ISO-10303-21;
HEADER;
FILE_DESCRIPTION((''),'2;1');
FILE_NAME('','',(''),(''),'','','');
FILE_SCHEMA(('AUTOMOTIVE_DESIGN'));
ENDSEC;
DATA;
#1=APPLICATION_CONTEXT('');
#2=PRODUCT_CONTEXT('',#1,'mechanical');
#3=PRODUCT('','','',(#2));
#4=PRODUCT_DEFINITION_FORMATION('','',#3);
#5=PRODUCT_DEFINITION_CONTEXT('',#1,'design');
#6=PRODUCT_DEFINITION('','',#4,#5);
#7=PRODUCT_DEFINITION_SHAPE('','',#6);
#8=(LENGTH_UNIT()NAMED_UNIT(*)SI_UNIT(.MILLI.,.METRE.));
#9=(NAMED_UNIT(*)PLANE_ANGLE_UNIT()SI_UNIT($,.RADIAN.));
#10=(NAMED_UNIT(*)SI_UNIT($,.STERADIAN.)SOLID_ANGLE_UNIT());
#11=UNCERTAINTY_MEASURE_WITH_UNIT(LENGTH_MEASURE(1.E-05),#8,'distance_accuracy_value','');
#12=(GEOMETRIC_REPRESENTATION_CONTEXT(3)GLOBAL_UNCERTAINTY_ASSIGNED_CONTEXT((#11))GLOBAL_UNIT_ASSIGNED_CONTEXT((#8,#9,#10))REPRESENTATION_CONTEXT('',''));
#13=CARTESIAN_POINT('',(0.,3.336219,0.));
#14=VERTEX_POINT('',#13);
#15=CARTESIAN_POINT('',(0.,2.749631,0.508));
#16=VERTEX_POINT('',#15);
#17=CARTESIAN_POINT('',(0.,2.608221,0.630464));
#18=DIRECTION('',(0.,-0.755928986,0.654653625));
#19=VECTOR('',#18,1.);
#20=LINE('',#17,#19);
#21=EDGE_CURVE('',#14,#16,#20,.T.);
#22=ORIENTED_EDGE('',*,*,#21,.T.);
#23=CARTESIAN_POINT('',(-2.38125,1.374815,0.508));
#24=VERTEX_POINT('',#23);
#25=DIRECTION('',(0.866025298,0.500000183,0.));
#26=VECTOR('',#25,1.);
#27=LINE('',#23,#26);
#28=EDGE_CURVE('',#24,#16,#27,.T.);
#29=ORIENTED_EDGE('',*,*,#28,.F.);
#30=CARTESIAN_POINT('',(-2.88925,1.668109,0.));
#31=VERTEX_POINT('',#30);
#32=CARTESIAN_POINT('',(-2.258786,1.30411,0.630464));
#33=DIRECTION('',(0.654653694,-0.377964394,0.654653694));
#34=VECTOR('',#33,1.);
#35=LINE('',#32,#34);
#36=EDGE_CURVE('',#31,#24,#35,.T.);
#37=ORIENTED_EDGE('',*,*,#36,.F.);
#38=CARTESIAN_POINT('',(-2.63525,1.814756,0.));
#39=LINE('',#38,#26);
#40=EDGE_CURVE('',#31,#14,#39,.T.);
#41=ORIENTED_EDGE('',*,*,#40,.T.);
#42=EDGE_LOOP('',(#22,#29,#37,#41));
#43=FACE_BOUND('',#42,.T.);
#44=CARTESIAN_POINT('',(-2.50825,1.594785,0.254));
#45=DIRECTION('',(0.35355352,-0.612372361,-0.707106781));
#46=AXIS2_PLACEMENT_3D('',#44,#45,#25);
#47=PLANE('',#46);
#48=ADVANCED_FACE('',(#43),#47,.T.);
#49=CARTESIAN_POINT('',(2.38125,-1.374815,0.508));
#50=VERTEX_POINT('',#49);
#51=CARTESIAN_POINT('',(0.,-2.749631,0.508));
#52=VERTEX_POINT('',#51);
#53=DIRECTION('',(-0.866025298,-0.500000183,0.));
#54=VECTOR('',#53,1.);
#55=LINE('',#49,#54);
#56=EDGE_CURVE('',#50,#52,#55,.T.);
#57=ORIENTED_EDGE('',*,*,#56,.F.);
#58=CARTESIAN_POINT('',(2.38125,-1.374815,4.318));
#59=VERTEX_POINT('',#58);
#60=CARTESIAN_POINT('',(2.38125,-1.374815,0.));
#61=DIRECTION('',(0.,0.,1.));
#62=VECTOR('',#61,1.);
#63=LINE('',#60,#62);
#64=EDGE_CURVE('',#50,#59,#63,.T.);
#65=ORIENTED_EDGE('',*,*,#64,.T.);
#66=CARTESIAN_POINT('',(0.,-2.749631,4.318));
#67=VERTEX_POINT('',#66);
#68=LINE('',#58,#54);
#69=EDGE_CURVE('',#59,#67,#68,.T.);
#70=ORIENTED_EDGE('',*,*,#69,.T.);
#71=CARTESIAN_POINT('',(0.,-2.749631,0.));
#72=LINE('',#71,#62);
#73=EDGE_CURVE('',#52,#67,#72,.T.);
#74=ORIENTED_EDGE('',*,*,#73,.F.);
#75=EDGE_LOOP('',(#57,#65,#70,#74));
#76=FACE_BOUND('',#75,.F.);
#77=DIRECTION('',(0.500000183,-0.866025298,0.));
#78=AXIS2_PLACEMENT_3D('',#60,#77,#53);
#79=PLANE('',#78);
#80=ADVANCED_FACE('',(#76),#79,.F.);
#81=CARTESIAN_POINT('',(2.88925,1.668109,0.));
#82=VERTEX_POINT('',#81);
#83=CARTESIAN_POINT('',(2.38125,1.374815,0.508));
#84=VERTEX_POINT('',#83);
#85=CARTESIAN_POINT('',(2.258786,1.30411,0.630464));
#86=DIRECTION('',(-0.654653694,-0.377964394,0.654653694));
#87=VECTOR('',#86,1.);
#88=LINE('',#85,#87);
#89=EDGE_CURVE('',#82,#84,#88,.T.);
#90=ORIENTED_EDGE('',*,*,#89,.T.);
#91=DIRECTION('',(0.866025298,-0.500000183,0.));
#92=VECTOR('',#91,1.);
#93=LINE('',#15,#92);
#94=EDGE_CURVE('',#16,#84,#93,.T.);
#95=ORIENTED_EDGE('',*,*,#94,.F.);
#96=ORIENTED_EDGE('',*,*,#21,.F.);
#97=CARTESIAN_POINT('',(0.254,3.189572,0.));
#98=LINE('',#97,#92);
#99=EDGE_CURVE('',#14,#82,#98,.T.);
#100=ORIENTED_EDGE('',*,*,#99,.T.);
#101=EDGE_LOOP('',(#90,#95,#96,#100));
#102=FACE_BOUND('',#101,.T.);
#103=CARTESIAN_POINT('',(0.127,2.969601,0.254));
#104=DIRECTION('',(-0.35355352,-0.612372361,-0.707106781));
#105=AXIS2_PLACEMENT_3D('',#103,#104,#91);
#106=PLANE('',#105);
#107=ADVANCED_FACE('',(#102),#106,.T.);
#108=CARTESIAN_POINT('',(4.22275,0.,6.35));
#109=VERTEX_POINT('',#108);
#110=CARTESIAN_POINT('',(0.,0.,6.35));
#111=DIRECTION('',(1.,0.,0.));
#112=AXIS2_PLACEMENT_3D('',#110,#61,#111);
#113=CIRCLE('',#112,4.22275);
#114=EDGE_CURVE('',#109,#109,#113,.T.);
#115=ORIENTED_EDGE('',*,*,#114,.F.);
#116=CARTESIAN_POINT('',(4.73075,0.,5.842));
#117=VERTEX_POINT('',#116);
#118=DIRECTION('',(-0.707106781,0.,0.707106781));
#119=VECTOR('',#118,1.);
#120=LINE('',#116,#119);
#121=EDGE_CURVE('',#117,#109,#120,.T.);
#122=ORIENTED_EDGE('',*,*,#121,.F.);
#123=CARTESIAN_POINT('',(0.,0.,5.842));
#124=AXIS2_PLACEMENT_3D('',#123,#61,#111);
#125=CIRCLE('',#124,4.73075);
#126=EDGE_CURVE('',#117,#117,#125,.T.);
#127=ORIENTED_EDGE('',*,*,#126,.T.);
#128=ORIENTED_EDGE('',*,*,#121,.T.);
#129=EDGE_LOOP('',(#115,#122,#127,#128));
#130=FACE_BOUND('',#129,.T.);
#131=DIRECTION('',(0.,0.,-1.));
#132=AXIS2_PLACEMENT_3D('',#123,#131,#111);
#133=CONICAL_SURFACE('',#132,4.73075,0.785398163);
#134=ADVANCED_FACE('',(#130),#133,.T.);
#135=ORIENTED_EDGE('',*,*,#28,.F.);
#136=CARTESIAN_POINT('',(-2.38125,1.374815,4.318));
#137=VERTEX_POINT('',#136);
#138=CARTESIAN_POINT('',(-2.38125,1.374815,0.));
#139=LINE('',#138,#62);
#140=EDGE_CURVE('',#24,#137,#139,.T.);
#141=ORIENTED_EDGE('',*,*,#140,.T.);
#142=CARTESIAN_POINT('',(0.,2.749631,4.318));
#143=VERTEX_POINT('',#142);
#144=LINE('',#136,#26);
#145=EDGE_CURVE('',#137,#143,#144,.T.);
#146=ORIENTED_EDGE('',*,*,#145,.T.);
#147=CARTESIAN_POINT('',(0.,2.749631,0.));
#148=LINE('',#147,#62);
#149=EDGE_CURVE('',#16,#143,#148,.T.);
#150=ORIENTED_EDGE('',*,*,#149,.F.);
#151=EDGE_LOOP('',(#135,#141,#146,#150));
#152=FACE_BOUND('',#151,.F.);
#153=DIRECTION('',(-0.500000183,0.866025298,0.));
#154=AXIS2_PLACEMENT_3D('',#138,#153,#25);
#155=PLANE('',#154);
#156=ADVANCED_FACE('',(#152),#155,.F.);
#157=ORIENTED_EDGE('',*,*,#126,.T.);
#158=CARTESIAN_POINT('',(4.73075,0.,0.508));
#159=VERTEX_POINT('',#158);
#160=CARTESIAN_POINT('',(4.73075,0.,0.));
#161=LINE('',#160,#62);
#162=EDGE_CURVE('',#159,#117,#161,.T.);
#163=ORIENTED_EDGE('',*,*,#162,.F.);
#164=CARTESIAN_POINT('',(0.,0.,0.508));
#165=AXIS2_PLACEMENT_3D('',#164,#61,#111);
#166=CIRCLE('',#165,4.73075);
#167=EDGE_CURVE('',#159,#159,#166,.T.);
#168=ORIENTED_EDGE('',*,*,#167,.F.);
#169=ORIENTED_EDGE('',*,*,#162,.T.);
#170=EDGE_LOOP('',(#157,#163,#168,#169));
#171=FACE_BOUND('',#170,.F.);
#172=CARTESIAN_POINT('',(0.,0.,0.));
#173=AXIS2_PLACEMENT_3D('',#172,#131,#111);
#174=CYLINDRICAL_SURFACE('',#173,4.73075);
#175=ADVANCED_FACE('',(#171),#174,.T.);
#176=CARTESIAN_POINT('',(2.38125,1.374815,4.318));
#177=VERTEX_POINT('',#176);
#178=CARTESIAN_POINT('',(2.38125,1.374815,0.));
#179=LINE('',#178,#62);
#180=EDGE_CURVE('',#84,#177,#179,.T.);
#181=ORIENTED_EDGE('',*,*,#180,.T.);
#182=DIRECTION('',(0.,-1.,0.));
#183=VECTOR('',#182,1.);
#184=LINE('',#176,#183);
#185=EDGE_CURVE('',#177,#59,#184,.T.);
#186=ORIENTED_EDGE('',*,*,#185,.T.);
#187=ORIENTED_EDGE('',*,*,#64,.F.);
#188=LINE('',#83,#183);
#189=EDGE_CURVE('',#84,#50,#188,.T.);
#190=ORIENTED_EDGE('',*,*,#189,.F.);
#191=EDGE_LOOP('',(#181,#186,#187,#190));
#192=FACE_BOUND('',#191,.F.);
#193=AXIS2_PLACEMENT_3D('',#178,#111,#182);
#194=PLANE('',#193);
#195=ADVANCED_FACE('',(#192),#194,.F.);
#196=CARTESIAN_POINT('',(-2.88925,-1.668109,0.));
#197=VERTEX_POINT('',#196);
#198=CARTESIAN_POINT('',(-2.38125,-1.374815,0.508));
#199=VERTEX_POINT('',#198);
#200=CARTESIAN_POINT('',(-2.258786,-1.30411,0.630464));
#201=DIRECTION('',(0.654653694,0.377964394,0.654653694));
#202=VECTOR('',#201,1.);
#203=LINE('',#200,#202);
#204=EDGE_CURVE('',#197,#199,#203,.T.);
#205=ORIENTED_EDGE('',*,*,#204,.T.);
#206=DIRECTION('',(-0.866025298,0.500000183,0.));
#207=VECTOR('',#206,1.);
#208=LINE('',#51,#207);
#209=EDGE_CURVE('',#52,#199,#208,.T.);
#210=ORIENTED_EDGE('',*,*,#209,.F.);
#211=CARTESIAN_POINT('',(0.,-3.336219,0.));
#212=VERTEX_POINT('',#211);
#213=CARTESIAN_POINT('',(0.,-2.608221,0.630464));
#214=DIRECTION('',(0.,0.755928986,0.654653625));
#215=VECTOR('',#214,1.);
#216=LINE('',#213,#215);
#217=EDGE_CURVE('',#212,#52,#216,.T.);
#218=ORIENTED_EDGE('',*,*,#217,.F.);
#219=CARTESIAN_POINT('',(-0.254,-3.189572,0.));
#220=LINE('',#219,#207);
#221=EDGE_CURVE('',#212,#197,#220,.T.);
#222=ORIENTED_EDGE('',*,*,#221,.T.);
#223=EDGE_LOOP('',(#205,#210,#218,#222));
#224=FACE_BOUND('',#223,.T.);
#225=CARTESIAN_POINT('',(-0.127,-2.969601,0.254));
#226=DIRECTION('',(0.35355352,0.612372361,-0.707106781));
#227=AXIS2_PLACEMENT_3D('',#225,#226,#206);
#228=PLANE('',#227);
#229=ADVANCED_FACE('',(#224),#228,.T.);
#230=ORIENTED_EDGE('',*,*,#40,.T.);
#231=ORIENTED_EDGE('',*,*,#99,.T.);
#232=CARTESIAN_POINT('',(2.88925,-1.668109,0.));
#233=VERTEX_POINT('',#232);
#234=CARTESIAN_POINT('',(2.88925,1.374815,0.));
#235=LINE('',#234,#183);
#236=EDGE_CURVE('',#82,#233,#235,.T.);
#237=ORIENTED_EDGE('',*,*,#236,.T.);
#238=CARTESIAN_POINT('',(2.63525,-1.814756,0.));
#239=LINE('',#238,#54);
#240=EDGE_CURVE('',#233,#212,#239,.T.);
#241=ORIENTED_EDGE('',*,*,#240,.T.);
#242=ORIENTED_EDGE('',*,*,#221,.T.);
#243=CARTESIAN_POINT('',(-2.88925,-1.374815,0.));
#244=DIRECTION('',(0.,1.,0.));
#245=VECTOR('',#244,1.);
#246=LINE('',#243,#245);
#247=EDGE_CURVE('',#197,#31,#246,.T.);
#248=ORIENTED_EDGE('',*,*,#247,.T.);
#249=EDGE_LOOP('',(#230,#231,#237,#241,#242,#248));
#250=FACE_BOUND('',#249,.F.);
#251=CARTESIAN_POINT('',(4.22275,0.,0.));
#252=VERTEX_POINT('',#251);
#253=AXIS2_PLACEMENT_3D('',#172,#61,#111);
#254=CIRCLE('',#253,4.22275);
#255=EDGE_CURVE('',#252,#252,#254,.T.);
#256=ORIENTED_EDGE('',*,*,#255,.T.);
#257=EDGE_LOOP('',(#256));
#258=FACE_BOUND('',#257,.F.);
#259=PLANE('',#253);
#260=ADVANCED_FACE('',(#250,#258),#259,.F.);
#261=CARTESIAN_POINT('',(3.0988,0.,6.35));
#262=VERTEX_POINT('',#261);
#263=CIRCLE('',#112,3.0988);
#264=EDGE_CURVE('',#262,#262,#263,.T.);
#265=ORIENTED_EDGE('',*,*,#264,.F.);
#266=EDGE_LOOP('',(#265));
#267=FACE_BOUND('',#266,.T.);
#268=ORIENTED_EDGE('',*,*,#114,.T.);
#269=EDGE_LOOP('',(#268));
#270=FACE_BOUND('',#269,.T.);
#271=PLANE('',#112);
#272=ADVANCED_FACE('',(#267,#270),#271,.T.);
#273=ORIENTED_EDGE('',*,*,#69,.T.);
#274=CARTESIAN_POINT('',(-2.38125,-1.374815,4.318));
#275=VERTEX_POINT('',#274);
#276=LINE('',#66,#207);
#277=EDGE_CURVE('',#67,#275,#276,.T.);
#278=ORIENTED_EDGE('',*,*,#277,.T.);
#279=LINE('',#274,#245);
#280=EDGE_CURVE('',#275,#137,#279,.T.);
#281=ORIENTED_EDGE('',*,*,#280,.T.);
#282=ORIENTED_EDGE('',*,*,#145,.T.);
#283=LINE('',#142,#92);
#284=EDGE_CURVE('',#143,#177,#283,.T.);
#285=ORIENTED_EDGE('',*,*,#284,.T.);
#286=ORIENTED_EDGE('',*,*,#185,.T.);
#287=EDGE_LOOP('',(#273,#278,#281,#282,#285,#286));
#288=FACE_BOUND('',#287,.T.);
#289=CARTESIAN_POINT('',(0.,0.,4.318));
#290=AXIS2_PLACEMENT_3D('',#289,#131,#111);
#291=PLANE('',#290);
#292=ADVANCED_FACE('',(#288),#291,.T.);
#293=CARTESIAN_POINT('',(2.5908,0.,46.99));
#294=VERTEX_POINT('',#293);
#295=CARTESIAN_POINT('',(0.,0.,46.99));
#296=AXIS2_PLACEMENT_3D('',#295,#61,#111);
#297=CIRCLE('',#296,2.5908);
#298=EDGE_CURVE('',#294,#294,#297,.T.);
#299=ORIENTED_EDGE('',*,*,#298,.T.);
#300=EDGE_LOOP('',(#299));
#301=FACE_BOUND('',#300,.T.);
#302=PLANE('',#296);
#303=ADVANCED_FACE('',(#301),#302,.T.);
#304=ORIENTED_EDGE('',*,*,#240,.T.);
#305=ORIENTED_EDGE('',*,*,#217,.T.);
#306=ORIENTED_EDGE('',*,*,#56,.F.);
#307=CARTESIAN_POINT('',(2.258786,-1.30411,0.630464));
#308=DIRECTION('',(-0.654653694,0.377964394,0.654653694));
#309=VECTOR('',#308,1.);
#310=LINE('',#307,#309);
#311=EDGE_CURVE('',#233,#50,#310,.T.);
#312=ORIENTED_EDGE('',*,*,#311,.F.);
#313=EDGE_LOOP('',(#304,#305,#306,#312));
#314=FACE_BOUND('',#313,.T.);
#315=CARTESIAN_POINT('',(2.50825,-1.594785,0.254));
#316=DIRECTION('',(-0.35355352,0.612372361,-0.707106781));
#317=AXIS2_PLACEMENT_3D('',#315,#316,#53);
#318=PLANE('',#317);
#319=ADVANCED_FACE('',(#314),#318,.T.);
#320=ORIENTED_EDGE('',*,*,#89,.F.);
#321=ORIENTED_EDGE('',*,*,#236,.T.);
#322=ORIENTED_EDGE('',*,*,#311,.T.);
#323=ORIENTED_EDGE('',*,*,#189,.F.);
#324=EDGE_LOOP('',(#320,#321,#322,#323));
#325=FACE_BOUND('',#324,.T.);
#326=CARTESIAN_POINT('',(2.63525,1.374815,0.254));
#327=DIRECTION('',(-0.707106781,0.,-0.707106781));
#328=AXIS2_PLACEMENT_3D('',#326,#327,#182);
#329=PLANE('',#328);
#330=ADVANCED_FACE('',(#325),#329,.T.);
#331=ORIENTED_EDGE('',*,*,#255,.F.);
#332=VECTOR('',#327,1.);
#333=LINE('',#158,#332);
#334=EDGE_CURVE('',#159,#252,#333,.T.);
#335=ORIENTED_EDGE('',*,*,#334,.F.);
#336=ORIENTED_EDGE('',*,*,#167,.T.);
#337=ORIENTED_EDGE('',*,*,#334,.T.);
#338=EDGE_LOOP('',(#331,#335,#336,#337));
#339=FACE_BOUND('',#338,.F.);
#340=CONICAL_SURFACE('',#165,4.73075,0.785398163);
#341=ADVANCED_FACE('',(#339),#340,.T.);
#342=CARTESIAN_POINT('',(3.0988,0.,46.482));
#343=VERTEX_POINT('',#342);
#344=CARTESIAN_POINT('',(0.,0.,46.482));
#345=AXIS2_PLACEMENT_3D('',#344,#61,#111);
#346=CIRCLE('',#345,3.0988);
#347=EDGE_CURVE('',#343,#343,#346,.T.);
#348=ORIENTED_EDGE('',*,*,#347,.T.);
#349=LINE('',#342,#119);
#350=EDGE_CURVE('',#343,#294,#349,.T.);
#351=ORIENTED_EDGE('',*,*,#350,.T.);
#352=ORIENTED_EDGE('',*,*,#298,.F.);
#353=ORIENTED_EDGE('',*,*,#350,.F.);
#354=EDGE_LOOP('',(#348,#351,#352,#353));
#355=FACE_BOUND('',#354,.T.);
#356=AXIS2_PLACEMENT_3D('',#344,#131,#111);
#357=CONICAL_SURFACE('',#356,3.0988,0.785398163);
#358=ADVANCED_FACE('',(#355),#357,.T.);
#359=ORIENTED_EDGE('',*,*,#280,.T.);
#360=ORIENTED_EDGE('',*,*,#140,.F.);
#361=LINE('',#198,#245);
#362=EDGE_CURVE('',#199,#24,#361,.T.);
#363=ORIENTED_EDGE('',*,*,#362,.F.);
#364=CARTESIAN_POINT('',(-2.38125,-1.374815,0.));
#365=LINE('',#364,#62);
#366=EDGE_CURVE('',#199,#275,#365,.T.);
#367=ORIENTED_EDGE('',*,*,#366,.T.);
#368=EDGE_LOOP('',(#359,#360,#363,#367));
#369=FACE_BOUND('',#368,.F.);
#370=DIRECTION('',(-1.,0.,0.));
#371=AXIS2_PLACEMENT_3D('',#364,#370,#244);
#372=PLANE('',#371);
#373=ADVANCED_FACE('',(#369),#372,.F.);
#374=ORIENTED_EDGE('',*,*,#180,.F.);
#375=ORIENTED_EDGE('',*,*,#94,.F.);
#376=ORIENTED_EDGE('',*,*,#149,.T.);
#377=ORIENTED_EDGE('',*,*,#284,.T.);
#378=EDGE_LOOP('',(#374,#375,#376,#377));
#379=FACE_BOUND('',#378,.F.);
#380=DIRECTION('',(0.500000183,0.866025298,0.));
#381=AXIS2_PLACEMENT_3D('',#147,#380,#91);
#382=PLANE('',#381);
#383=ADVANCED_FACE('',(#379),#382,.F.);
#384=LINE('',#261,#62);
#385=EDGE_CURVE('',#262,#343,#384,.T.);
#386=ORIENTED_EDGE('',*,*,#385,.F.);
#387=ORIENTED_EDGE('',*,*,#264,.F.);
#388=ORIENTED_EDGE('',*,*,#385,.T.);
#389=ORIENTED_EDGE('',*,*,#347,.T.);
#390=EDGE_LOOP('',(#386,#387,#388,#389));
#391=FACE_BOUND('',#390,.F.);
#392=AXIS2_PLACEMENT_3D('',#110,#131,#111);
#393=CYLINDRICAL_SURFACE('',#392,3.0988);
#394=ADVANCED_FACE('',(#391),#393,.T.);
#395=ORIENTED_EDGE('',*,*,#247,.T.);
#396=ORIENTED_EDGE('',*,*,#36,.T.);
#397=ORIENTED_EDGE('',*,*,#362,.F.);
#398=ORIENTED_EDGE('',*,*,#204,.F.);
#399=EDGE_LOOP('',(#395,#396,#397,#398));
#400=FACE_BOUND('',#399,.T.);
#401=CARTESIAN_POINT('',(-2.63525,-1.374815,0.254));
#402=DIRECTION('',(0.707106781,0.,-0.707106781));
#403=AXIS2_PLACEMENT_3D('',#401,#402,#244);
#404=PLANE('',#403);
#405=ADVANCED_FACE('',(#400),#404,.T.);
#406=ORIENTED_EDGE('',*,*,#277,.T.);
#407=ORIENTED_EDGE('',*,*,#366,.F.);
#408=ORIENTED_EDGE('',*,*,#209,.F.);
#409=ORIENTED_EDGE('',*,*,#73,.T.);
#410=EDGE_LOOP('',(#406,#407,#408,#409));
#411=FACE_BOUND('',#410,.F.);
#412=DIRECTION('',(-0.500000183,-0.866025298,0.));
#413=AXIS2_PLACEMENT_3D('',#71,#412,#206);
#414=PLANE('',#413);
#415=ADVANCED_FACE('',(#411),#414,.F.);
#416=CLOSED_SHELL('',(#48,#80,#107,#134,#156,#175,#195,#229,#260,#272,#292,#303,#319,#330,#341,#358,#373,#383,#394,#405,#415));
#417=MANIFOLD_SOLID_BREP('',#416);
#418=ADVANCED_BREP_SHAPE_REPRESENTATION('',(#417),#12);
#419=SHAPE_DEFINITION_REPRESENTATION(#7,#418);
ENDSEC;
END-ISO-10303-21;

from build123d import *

# Parameters (mm, degrees)
F0_R     = 4.73075
F1_DEPTH = 6.35
F2_R     = 3.0988
F3_DEPTH = 40.64
F5_DEPTH = 4.318
F6_SIZE  = 0.508


with BuildPart() as f1:
    # F0 (on Top) → F1 (new body)
    with BuildSketch(Plane.XY):
        Circle(F0_R)
    extrude(amount=F1_DEPTH)

    # F2 (on face) → F3 (join)
    with BuildSketch(Plane.XY.offset(6.35)):
        Circle(F2_R)
    extrude(amount=F3_DEPTH)

    # F4 (on face) → F5 (cut)
    with BuildSketch(Plane(origin=(0, 0, 0), x_dir=(1, 0, 0), z_dir=(0, 0, -1))):
        Polygon((2.38125, -1.374815), (2.38125, 1.374815), (0, 2.749631), (-2.38125, 1.374815), (-2.38125, -1.374815), (0, -2.749631), align=None)
    extrude(amount=-F5_DEPTH, mode=Mode.SUBTRACT)

    # F6
    f6_edges = [f1.edges().sort_by_distance(p)[0] for p in [
        (1.190625, 2.062223, 0),
        (2.38125, 0, 0),
        (1.190625, -2.062223, 0),
        (-1.190625, -2.062223, 0),
        (-2.38125, 0, 0),
        (-1.190625, 2.062223, 0),
        (-4.73075, 0, 0),
        (-4.73075, 0, 6.35),
        (-3.0988, 0, 46.99),
    ]]
    chamfer(f6_edges, length=F6_SIZE)


solid = f1.part
